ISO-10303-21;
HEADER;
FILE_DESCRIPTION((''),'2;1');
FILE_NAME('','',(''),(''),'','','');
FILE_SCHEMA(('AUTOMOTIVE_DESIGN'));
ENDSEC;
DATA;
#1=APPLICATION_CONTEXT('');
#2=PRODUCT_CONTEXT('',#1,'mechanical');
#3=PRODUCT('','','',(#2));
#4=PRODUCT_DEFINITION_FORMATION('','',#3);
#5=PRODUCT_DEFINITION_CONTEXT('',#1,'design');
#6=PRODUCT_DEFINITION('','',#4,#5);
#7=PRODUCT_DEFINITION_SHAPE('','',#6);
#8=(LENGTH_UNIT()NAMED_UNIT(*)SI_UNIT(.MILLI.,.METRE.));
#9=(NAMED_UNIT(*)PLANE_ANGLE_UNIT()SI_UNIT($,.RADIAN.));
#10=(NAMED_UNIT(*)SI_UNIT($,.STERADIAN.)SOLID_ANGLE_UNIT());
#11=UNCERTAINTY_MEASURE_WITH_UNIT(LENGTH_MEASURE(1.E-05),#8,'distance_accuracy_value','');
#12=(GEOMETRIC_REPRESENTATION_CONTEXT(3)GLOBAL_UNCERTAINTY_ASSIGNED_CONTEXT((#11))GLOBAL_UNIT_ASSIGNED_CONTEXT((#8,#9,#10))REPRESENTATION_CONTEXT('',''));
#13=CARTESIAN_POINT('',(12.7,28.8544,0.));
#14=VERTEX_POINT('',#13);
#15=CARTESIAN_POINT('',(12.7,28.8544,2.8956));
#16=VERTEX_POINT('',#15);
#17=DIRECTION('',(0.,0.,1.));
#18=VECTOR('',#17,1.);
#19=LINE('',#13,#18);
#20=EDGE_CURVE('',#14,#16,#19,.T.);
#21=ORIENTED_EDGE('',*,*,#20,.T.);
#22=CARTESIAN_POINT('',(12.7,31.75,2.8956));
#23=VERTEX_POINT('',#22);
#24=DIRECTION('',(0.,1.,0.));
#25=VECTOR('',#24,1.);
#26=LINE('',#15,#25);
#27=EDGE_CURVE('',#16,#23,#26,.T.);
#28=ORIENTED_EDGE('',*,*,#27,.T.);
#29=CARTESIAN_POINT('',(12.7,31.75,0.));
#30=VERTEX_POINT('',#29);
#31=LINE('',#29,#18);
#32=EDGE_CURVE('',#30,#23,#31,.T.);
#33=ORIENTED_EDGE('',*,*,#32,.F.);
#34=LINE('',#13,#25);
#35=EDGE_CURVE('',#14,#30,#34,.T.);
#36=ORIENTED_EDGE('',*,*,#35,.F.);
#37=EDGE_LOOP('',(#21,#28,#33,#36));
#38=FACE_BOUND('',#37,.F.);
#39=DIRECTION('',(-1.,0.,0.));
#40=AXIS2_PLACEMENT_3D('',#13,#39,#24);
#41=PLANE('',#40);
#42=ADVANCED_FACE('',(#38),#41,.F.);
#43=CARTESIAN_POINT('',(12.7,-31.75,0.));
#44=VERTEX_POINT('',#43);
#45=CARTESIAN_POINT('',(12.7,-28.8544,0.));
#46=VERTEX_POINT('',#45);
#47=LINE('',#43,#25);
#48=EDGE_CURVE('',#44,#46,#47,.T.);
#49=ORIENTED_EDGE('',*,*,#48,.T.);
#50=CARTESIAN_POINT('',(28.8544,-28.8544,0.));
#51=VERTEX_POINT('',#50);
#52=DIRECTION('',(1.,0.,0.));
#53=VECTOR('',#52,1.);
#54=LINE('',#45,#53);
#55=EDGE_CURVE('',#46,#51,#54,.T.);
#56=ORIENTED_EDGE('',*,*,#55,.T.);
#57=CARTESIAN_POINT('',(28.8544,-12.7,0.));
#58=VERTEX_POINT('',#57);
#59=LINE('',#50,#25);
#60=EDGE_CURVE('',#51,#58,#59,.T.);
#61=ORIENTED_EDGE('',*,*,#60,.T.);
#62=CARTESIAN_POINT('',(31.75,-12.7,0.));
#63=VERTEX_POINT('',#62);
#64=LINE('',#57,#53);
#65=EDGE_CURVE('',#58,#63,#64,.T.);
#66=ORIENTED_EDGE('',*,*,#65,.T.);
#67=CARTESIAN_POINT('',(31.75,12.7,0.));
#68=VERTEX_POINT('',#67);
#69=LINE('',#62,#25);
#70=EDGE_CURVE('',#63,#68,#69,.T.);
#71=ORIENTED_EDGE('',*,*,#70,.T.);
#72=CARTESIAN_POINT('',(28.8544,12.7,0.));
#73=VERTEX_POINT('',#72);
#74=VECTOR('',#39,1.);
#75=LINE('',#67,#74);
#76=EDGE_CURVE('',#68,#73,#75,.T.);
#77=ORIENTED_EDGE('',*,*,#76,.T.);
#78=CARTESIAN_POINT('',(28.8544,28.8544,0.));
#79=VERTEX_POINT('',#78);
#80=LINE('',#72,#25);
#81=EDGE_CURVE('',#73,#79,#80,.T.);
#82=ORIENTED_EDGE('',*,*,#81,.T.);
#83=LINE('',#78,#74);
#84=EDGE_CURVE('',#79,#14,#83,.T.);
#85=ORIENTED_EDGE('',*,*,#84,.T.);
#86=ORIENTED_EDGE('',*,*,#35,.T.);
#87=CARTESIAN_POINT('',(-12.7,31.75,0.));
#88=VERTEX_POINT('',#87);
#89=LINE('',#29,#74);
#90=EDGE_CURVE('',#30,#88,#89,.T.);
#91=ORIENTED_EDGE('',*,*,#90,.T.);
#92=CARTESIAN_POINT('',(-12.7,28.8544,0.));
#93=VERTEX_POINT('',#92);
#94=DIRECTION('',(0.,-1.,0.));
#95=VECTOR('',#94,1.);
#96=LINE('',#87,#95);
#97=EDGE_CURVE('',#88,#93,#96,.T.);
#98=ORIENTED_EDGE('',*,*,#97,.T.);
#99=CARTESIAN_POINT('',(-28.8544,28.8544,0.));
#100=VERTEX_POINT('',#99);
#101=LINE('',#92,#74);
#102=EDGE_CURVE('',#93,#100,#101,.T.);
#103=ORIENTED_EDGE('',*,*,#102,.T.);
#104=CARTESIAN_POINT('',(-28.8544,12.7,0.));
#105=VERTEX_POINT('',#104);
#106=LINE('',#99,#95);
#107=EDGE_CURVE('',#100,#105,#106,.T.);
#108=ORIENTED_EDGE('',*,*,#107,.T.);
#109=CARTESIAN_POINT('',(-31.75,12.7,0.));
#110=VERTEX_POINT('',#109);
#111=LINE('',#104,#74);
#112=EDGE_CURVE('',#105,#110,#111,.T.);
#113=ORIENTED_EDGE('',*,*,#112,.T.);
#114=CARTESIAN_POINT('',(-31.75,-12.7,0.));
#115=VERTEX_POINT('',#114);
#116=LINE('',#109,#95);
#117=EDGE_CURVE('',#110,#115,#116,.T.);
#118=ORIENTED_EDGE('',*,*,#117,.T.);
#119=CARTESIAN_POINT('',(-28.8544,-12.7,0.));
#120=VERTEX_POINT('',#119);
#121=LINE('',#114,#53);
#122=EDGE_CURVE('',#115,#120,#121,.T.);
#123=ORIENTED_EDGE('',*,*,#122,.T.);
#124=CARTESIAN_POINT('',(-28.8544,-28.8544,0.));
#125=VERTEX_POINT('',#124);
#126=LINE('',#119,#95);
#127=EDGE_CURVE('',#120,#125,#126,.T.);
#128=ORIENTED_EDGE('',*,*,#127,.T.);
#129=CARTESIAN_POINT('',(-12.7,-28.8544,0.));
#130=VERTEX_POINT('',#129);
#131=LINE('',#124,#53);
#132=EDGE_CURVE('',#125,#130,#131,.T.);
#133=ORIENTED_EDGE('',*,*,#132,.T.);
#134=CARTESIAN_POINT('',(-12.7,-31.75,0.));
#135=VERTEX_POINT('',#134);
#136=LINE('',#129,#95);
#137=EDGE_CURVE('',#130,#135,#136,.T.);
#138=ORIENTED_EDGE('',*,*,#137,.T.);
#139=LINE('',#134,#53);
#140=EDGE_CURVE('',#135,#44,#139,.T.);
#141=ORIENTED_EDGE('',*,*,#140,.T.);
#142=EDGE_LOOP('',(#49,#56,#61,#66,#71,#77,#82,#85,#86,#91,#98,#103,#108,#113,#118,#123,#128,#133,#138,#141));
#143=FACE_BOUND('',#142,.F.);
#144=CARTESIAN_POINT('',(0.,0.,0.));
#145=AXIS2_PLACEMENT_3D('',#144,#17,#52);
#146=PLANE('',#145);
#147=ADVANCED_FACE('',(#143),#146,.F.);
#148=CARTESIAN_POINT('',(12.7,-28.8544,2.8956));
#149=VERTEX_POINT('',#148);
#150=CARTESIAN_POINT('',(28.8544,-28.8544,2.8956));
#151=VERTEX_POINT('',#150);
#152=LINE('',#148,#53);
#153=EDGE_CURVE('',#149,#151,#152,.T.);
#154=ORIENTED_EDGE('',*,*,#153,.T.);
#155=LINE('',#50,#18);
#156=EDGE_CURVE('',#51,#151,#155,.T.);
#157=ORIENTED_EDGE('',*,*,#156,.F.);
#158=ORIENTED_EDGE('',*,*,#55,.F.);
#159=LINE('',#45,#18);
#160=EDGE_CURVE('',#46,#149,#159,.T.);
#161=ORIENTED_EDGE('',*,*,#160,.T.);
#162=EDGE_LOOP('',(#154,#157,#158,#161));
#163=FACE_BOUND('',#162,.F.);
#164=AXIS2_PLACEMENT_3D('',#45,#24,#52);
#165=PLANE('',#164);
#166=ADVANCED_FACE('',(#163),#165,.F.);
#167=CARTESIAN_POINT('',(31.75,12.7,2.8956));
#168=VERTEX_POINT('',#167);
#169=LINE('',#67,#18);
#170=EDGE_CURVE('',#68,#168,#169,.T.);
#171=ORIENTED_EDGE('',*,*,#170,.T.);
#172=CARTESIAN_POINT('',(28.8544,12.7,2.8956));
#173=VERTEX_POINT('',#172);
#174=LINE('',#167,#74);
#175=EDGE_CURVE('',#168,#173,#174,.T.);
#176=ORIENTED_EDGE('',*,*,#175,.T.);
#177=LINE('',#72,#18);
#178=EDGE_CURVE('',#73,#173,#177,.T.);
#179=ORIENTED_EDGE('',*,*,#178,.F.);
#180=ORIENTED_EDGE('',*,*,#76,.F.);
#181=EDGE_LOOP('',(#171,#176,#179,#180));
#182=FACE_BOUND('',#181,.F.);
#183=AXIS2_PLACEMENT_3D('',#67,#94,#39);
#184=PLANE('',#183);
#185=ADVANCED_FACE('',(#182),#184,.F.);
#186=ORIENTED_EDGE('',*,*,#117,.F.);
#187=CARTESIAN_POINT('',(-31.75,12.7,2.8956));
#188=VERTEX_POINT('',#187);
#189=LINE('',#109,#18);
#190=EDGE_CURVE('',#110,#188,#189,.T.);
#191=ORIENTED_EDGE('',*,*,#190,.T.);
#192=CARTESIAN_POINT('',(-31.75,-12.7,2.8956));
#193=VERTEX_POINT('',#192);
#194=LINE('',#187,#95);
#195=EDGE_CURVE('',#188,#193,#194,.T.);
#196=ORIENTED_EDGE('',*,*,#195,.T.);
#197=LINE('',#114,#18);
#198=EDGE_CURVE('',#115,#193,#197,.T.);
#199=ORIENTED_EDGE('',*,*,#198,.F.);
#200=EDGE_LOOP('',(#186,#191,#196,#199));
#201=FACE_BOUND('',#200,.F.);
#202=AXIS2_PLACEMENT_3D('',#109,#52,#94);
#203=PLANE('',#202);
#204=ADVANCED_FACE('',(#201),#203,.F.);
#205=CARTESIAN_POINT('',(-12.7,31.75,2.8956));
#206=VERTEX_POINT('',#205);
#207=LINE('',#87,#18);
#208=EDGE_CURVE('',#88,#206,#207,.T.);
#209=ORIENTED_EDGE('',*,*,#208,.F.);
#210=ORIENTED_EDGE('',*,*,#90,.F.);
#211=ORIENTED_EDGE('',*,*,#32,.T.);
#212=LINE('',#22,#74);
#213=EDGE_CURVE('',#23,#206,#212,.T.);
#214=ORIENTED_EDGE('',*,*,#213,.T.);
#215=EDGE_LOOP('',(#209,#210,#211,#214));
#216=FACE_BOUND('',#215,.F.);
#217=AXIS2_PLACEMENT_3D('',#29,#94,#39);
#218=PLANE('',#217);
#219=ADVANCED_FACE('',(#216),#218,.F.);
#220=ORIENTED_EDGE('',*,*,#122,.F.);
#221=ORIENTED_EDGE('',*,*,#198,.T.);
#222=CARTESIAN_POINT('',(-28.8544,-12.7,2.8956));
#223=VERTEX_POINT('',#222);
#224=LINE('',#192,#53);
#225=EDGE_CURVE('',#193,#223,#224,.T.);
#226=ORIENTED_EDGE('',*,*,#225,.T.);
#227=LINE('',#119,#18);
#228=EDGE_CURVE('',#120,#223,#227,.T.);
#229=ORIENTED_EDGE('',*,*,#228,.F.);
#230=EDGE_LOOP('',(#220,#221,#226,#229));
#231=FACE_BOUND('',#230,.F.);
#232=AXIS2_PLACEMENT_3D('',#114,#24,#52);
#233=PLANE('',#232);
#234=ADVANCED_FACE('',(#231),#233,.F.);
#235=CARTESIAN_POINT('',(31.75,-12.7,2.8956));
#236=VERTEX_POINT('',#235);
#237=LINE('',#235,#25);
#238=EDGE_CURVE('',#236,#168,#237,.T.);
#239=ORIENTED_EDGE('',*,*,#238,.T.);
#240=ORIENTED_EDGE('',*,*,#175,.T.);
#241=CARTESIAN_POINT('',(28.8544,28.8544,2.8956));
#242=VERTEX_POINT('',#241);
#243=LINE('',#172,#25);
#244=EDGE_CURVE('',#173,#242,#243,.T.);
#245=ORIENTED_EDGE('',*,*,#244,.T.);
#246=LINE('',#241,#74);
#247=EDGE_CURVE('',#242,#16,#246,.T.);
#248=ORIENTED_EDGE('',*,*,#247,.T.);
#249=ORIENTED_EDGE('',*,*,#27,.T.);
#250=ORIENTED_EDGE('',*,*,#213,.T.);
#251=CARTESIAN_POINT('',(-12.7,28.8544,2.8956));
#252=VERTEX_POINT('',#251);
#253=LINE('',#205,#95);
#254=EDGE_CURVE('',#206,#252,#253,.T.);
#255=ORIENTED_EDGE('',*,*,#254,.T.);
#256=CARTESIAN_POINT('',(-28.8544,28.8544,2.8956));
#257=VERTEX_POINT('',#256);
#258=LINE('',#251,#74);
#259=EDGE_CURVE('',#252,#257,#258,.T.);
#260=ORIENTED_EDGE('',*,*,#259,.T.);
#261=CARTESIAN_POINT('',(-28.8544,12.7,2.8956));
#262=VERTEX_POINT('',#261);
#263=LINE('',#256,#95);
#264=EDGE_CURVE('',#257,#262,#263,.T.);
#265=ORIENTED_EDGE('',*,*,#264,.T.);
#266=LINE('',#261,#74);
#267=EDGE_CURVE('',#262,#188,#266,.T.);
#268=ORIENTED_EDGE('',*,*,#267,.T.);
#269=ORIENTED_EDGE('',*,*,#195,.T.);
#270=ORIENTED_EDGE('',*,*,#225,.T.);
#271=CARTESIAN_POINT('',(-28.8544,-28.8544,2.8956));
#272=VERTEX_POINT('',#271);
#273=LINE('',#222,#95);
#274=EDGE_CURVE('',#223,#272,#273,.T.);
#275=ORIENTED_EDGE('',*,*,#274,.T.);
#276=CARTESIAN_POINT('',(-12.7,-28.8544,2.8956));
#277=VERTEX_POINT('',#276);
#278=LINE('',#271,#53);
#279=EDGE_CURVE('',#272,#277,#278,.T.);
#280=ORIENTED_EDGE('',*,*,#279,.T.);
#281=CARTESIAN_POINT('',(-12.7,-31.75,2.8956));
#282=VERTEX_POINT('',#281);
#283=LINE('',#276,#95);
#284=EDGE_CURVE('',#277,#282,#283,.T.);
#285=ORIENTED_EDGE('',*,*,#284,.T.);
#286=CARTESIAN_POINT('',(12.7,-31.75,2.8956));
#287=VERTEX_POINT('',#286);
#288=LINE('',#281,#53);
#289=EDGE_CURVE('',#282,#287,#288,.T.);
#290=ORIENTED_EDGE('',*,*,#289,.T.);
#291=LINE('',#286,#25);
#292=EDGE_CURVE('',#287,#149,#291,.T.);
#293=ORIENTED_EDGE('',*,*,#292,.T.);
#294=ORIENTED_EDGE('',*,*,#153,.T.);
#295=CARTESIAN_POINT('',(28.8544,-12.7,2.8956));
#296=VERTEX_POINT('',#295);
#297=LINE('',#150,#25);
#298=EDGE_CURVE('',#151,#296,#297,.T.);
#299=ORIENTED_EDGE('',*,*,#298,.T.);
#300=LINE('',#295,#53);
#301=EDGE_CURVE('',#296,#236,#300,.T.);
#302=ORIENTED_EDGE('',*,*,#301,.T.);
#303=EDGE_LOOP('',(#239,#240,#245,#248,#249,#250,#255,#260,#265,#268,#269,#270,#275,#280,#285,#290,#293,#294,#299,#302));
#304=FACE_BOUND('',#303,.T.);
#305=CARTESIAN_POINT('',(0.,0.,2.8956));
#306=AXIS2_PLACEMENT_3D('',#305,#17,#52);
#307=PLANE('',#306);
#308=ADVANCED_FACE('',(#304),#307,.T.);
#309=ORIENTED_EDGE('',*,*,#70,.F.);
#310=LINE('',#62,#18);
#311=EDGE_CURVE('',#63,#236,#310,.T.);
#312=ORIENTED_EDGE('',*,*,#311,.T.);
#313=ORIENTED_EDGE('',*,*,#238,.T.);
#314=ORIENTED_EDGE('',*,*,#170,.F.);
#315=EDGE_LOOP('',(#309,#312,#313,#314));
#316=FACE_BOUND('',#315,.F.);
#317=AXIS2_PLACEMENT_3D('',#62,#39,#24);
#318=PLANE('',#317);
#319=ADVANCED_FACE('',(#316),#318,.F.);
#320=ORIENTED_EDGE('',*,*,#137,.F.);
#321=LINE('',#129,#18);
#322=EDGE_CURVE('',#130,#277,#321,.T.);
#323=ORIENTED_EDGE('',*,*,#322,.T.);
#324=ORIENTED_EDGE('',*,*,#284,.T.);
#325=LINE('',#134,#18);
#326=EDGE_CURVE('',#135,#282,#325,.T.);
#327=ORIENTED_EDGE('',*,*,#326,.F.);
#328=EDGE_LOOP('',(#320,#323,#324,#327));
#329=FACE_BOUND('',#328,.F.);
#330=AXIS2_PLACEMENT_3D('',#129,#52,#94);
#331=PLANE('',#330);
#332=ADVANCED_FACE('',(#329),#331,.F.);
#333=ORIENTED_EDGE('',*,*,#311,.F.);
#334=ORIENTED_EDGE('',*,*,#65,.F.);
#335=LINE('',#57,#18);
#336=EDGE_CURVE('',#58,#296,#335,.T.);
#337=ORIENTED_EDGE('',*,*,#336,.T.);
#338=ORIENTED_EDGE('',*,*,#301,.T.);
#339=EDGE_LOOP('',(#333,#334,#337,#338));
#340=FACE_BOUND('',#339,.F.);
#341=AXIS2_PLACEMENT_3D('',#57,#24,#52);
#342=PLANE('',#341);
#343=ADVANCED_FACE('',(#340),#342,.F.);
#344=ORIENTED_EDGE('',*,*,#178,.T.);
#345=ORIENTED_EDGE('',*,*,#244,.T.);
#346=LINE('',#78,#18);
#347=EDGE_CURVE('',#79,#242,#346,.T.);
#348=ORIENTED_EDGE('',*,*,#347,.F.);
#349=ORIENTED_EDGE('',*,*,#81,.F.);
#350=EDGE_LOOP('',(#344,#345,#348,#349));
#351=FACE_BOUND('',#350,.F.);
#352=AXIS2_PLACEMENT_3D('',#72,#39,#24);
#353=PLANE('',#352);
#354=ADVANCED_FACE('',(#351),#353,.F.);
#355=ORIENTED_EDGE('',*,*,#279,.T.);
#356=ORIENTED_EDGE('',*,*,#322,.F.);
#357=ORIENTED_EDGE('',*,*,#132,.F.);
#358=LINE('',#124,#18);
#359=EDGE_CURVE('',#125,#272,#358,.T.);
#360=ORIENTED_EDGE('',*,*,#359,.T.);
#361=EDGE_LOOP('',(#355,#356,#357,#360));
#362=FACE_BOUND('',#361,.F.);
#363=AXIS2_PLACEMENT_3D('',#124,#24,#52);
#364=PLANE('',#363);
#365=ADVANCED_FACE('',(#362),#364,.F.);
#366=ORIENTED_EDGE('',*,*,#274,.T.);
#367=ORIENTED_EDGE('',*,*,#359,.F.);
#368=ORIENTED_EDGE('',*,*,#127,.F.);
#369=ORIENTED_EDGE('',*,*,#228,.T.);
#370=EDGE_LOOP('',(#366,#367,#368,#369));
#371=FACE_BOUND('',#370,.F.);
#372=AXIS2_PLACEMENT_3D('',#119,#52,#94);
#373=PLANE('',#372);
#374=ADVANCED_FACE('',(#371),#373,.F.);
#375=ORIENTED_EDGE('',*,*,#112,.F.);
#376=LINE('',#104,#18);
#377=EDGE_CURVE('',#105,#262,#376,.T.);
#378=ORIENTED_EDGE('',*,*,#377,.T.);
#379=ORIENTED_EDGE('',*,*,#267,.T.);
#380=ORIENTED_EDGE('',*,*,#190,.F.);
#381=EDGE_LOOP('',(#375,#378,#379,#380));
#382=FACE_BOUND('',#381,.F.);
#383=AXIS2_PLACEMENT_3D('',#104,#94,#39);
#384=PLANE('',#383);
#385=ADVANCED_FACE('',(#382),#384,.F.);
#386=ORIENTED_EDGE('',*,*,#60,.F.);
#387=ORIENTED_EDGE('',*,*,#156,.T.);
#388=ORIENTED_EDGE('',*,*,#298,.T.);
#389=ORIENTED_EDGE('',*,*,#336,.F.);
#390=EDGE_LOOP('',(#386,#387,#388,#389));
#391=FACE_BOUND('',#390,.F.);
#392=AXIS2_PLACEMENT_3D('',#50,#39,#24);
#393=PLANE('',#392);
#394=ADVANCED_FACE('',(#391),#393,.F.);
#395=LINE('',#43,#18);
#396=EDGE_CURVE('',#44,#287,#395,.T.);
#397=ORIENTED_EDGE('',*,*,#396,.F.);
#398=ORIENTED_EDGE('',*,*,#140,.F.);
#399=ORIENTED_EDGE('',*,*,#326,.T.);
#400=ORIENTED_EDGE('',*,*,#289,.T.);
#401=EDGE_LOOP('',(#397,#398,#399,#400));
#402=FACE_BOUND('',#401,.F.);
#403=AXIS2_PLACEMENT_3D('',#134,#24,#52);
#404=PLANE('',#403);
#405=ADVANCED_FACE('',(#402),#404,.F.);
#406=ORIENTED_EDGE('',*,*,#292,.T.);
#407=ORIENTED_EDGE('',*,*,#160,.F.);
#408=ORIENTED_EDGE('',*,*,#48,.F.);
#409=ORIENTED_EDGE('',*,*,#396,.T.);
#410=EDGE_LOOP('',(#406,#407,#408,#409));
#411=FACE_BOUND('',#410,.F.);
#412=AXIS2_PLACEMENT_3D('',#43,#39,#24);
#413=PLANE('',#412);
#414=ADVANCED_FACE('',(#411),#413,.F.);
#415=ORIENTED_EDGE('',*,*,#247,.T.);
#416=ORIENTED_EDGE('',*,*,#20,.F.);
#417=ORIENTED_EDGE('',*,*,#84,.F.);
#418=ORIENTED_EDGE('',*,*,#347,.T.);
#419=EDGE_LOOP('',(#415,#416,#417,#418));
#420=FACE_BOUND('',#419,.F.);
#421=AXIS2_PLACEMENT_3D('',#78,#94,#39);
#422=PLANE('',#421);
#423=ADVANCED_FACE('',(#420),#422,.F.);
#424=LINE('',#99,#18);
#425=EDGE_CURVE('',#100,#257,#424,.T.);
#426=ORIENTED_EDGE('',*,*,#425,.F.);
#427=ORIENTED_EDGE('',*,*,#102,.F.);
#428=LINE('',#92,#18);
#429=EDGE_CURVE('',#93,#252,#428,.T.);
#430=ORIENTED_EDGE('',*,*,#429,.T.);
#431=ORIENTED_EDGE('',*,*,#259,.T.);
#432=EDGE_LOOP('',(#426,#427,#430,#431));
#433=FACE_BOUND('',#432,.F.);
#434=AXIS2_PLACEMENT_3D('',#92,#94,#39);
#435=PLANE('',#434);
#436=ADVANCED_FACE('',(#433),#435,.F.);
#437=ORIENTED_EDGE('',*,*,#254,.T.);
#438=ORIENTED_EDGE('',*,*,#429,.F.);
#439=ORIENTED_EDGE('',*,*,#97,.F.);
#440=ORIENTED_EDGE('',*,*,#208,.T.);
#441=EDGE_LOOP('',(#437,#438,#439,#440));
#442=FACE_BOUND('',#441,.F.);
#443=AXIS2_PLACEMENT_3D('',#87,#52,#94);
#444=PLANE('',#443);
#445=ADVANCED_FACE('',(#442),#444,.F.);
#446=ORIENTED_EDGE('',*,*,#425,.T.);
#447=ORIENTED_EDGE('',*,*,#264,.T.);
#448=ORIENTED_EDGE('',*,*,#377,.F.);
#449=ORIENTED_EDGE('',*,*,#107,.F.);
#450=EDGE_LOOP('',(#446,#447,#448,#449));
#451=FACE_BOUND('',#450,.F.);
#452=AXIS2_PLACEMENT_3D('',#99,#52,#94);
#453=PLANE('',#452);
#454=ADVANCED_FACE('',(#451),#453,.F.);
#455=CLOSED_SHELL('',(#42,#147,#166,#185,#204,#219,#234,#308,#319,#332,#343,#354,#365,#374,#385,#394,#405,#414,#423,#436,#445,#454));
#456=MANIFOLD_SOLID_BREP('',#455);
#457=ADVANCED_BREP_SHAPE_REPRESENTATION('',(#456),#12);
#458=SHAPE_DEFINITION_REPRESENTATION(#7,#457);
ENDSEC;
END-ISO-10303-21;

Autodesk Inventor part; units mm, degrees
ref_plane "YZ Plane" through (0, 0, 0) normal (1, 0, 0) x (0, 1, 0)
ref_plane "XZ Plane" through (0, 0, 0) normal (0, 1, 0) x (-1, 0, 0)
ref_plane "XY Plane" through (0, 0, 0) normal (0, 0, 1) x (1, 0, 0)
sketch "Sketch1" plane through (0, 0, 0) normal (0, 0, 1) x (1, 0, 0)
  line L0 (-28.8544, -12.7) -> (-28.8544, -28.8544)
  line L1 (-28.8544, -28.8544) -> (-12.7, -28.8544)
  line L2 (-12.7, -28.8544) -> (-12.7, -31.75)
  line L3 (-12.7, -31.75) -> (12.7, -31.75)
  line L4 (12.7, -31.75) -> (12.7, -28.8544)
  line L5 (12.7, -28.8544) -> (28.8544, -28.8544)
  line L6 (28.8544, -28.8544) -> (28.8544, -12.7)
  line L7 (28.8544, -12.7) -> (31.75, -12.7)
  line L8 (31.75, -12.7) -> (31.75, 12.7)
  line L9 (31.75, 12.7) -> (28.8544, 12.7)
  line L10 (28.8544, 12.7) -> (28.8544, 28.8544)
  line L11 (28.8544, 28.8544) -> (12.7, 28.8544)
  line L12 (12.7, 28.8544) -> (12.7, 31.75)
  line L13 (12.7, 31.75) -> (-12.7, 31.75)
  line L14 (-12.7, 31.75) -> (-12.7, 28.8544)
  line L15 (-12.7, 28.8544) -> (-28.8544, 28.8544)
  line L16 (-28.8544, 28.8544) -> (-28.8544, 12.7)
  line L17 (-28.8544, 12.7) -> (-31.75, 12.7)
  line L18 (-31.75, 12.7) -> (-31.75, -12.7)
  line L19 (-31.75, -12.7) -> (-28.8544, -12.7)
  point P0 (0, 0)
extrude "Extrusion1" add sketch "Sketch1" along normal blind 2.8956
properties part number "inside_box_front_back" material "Polycarbonate, Clear"
